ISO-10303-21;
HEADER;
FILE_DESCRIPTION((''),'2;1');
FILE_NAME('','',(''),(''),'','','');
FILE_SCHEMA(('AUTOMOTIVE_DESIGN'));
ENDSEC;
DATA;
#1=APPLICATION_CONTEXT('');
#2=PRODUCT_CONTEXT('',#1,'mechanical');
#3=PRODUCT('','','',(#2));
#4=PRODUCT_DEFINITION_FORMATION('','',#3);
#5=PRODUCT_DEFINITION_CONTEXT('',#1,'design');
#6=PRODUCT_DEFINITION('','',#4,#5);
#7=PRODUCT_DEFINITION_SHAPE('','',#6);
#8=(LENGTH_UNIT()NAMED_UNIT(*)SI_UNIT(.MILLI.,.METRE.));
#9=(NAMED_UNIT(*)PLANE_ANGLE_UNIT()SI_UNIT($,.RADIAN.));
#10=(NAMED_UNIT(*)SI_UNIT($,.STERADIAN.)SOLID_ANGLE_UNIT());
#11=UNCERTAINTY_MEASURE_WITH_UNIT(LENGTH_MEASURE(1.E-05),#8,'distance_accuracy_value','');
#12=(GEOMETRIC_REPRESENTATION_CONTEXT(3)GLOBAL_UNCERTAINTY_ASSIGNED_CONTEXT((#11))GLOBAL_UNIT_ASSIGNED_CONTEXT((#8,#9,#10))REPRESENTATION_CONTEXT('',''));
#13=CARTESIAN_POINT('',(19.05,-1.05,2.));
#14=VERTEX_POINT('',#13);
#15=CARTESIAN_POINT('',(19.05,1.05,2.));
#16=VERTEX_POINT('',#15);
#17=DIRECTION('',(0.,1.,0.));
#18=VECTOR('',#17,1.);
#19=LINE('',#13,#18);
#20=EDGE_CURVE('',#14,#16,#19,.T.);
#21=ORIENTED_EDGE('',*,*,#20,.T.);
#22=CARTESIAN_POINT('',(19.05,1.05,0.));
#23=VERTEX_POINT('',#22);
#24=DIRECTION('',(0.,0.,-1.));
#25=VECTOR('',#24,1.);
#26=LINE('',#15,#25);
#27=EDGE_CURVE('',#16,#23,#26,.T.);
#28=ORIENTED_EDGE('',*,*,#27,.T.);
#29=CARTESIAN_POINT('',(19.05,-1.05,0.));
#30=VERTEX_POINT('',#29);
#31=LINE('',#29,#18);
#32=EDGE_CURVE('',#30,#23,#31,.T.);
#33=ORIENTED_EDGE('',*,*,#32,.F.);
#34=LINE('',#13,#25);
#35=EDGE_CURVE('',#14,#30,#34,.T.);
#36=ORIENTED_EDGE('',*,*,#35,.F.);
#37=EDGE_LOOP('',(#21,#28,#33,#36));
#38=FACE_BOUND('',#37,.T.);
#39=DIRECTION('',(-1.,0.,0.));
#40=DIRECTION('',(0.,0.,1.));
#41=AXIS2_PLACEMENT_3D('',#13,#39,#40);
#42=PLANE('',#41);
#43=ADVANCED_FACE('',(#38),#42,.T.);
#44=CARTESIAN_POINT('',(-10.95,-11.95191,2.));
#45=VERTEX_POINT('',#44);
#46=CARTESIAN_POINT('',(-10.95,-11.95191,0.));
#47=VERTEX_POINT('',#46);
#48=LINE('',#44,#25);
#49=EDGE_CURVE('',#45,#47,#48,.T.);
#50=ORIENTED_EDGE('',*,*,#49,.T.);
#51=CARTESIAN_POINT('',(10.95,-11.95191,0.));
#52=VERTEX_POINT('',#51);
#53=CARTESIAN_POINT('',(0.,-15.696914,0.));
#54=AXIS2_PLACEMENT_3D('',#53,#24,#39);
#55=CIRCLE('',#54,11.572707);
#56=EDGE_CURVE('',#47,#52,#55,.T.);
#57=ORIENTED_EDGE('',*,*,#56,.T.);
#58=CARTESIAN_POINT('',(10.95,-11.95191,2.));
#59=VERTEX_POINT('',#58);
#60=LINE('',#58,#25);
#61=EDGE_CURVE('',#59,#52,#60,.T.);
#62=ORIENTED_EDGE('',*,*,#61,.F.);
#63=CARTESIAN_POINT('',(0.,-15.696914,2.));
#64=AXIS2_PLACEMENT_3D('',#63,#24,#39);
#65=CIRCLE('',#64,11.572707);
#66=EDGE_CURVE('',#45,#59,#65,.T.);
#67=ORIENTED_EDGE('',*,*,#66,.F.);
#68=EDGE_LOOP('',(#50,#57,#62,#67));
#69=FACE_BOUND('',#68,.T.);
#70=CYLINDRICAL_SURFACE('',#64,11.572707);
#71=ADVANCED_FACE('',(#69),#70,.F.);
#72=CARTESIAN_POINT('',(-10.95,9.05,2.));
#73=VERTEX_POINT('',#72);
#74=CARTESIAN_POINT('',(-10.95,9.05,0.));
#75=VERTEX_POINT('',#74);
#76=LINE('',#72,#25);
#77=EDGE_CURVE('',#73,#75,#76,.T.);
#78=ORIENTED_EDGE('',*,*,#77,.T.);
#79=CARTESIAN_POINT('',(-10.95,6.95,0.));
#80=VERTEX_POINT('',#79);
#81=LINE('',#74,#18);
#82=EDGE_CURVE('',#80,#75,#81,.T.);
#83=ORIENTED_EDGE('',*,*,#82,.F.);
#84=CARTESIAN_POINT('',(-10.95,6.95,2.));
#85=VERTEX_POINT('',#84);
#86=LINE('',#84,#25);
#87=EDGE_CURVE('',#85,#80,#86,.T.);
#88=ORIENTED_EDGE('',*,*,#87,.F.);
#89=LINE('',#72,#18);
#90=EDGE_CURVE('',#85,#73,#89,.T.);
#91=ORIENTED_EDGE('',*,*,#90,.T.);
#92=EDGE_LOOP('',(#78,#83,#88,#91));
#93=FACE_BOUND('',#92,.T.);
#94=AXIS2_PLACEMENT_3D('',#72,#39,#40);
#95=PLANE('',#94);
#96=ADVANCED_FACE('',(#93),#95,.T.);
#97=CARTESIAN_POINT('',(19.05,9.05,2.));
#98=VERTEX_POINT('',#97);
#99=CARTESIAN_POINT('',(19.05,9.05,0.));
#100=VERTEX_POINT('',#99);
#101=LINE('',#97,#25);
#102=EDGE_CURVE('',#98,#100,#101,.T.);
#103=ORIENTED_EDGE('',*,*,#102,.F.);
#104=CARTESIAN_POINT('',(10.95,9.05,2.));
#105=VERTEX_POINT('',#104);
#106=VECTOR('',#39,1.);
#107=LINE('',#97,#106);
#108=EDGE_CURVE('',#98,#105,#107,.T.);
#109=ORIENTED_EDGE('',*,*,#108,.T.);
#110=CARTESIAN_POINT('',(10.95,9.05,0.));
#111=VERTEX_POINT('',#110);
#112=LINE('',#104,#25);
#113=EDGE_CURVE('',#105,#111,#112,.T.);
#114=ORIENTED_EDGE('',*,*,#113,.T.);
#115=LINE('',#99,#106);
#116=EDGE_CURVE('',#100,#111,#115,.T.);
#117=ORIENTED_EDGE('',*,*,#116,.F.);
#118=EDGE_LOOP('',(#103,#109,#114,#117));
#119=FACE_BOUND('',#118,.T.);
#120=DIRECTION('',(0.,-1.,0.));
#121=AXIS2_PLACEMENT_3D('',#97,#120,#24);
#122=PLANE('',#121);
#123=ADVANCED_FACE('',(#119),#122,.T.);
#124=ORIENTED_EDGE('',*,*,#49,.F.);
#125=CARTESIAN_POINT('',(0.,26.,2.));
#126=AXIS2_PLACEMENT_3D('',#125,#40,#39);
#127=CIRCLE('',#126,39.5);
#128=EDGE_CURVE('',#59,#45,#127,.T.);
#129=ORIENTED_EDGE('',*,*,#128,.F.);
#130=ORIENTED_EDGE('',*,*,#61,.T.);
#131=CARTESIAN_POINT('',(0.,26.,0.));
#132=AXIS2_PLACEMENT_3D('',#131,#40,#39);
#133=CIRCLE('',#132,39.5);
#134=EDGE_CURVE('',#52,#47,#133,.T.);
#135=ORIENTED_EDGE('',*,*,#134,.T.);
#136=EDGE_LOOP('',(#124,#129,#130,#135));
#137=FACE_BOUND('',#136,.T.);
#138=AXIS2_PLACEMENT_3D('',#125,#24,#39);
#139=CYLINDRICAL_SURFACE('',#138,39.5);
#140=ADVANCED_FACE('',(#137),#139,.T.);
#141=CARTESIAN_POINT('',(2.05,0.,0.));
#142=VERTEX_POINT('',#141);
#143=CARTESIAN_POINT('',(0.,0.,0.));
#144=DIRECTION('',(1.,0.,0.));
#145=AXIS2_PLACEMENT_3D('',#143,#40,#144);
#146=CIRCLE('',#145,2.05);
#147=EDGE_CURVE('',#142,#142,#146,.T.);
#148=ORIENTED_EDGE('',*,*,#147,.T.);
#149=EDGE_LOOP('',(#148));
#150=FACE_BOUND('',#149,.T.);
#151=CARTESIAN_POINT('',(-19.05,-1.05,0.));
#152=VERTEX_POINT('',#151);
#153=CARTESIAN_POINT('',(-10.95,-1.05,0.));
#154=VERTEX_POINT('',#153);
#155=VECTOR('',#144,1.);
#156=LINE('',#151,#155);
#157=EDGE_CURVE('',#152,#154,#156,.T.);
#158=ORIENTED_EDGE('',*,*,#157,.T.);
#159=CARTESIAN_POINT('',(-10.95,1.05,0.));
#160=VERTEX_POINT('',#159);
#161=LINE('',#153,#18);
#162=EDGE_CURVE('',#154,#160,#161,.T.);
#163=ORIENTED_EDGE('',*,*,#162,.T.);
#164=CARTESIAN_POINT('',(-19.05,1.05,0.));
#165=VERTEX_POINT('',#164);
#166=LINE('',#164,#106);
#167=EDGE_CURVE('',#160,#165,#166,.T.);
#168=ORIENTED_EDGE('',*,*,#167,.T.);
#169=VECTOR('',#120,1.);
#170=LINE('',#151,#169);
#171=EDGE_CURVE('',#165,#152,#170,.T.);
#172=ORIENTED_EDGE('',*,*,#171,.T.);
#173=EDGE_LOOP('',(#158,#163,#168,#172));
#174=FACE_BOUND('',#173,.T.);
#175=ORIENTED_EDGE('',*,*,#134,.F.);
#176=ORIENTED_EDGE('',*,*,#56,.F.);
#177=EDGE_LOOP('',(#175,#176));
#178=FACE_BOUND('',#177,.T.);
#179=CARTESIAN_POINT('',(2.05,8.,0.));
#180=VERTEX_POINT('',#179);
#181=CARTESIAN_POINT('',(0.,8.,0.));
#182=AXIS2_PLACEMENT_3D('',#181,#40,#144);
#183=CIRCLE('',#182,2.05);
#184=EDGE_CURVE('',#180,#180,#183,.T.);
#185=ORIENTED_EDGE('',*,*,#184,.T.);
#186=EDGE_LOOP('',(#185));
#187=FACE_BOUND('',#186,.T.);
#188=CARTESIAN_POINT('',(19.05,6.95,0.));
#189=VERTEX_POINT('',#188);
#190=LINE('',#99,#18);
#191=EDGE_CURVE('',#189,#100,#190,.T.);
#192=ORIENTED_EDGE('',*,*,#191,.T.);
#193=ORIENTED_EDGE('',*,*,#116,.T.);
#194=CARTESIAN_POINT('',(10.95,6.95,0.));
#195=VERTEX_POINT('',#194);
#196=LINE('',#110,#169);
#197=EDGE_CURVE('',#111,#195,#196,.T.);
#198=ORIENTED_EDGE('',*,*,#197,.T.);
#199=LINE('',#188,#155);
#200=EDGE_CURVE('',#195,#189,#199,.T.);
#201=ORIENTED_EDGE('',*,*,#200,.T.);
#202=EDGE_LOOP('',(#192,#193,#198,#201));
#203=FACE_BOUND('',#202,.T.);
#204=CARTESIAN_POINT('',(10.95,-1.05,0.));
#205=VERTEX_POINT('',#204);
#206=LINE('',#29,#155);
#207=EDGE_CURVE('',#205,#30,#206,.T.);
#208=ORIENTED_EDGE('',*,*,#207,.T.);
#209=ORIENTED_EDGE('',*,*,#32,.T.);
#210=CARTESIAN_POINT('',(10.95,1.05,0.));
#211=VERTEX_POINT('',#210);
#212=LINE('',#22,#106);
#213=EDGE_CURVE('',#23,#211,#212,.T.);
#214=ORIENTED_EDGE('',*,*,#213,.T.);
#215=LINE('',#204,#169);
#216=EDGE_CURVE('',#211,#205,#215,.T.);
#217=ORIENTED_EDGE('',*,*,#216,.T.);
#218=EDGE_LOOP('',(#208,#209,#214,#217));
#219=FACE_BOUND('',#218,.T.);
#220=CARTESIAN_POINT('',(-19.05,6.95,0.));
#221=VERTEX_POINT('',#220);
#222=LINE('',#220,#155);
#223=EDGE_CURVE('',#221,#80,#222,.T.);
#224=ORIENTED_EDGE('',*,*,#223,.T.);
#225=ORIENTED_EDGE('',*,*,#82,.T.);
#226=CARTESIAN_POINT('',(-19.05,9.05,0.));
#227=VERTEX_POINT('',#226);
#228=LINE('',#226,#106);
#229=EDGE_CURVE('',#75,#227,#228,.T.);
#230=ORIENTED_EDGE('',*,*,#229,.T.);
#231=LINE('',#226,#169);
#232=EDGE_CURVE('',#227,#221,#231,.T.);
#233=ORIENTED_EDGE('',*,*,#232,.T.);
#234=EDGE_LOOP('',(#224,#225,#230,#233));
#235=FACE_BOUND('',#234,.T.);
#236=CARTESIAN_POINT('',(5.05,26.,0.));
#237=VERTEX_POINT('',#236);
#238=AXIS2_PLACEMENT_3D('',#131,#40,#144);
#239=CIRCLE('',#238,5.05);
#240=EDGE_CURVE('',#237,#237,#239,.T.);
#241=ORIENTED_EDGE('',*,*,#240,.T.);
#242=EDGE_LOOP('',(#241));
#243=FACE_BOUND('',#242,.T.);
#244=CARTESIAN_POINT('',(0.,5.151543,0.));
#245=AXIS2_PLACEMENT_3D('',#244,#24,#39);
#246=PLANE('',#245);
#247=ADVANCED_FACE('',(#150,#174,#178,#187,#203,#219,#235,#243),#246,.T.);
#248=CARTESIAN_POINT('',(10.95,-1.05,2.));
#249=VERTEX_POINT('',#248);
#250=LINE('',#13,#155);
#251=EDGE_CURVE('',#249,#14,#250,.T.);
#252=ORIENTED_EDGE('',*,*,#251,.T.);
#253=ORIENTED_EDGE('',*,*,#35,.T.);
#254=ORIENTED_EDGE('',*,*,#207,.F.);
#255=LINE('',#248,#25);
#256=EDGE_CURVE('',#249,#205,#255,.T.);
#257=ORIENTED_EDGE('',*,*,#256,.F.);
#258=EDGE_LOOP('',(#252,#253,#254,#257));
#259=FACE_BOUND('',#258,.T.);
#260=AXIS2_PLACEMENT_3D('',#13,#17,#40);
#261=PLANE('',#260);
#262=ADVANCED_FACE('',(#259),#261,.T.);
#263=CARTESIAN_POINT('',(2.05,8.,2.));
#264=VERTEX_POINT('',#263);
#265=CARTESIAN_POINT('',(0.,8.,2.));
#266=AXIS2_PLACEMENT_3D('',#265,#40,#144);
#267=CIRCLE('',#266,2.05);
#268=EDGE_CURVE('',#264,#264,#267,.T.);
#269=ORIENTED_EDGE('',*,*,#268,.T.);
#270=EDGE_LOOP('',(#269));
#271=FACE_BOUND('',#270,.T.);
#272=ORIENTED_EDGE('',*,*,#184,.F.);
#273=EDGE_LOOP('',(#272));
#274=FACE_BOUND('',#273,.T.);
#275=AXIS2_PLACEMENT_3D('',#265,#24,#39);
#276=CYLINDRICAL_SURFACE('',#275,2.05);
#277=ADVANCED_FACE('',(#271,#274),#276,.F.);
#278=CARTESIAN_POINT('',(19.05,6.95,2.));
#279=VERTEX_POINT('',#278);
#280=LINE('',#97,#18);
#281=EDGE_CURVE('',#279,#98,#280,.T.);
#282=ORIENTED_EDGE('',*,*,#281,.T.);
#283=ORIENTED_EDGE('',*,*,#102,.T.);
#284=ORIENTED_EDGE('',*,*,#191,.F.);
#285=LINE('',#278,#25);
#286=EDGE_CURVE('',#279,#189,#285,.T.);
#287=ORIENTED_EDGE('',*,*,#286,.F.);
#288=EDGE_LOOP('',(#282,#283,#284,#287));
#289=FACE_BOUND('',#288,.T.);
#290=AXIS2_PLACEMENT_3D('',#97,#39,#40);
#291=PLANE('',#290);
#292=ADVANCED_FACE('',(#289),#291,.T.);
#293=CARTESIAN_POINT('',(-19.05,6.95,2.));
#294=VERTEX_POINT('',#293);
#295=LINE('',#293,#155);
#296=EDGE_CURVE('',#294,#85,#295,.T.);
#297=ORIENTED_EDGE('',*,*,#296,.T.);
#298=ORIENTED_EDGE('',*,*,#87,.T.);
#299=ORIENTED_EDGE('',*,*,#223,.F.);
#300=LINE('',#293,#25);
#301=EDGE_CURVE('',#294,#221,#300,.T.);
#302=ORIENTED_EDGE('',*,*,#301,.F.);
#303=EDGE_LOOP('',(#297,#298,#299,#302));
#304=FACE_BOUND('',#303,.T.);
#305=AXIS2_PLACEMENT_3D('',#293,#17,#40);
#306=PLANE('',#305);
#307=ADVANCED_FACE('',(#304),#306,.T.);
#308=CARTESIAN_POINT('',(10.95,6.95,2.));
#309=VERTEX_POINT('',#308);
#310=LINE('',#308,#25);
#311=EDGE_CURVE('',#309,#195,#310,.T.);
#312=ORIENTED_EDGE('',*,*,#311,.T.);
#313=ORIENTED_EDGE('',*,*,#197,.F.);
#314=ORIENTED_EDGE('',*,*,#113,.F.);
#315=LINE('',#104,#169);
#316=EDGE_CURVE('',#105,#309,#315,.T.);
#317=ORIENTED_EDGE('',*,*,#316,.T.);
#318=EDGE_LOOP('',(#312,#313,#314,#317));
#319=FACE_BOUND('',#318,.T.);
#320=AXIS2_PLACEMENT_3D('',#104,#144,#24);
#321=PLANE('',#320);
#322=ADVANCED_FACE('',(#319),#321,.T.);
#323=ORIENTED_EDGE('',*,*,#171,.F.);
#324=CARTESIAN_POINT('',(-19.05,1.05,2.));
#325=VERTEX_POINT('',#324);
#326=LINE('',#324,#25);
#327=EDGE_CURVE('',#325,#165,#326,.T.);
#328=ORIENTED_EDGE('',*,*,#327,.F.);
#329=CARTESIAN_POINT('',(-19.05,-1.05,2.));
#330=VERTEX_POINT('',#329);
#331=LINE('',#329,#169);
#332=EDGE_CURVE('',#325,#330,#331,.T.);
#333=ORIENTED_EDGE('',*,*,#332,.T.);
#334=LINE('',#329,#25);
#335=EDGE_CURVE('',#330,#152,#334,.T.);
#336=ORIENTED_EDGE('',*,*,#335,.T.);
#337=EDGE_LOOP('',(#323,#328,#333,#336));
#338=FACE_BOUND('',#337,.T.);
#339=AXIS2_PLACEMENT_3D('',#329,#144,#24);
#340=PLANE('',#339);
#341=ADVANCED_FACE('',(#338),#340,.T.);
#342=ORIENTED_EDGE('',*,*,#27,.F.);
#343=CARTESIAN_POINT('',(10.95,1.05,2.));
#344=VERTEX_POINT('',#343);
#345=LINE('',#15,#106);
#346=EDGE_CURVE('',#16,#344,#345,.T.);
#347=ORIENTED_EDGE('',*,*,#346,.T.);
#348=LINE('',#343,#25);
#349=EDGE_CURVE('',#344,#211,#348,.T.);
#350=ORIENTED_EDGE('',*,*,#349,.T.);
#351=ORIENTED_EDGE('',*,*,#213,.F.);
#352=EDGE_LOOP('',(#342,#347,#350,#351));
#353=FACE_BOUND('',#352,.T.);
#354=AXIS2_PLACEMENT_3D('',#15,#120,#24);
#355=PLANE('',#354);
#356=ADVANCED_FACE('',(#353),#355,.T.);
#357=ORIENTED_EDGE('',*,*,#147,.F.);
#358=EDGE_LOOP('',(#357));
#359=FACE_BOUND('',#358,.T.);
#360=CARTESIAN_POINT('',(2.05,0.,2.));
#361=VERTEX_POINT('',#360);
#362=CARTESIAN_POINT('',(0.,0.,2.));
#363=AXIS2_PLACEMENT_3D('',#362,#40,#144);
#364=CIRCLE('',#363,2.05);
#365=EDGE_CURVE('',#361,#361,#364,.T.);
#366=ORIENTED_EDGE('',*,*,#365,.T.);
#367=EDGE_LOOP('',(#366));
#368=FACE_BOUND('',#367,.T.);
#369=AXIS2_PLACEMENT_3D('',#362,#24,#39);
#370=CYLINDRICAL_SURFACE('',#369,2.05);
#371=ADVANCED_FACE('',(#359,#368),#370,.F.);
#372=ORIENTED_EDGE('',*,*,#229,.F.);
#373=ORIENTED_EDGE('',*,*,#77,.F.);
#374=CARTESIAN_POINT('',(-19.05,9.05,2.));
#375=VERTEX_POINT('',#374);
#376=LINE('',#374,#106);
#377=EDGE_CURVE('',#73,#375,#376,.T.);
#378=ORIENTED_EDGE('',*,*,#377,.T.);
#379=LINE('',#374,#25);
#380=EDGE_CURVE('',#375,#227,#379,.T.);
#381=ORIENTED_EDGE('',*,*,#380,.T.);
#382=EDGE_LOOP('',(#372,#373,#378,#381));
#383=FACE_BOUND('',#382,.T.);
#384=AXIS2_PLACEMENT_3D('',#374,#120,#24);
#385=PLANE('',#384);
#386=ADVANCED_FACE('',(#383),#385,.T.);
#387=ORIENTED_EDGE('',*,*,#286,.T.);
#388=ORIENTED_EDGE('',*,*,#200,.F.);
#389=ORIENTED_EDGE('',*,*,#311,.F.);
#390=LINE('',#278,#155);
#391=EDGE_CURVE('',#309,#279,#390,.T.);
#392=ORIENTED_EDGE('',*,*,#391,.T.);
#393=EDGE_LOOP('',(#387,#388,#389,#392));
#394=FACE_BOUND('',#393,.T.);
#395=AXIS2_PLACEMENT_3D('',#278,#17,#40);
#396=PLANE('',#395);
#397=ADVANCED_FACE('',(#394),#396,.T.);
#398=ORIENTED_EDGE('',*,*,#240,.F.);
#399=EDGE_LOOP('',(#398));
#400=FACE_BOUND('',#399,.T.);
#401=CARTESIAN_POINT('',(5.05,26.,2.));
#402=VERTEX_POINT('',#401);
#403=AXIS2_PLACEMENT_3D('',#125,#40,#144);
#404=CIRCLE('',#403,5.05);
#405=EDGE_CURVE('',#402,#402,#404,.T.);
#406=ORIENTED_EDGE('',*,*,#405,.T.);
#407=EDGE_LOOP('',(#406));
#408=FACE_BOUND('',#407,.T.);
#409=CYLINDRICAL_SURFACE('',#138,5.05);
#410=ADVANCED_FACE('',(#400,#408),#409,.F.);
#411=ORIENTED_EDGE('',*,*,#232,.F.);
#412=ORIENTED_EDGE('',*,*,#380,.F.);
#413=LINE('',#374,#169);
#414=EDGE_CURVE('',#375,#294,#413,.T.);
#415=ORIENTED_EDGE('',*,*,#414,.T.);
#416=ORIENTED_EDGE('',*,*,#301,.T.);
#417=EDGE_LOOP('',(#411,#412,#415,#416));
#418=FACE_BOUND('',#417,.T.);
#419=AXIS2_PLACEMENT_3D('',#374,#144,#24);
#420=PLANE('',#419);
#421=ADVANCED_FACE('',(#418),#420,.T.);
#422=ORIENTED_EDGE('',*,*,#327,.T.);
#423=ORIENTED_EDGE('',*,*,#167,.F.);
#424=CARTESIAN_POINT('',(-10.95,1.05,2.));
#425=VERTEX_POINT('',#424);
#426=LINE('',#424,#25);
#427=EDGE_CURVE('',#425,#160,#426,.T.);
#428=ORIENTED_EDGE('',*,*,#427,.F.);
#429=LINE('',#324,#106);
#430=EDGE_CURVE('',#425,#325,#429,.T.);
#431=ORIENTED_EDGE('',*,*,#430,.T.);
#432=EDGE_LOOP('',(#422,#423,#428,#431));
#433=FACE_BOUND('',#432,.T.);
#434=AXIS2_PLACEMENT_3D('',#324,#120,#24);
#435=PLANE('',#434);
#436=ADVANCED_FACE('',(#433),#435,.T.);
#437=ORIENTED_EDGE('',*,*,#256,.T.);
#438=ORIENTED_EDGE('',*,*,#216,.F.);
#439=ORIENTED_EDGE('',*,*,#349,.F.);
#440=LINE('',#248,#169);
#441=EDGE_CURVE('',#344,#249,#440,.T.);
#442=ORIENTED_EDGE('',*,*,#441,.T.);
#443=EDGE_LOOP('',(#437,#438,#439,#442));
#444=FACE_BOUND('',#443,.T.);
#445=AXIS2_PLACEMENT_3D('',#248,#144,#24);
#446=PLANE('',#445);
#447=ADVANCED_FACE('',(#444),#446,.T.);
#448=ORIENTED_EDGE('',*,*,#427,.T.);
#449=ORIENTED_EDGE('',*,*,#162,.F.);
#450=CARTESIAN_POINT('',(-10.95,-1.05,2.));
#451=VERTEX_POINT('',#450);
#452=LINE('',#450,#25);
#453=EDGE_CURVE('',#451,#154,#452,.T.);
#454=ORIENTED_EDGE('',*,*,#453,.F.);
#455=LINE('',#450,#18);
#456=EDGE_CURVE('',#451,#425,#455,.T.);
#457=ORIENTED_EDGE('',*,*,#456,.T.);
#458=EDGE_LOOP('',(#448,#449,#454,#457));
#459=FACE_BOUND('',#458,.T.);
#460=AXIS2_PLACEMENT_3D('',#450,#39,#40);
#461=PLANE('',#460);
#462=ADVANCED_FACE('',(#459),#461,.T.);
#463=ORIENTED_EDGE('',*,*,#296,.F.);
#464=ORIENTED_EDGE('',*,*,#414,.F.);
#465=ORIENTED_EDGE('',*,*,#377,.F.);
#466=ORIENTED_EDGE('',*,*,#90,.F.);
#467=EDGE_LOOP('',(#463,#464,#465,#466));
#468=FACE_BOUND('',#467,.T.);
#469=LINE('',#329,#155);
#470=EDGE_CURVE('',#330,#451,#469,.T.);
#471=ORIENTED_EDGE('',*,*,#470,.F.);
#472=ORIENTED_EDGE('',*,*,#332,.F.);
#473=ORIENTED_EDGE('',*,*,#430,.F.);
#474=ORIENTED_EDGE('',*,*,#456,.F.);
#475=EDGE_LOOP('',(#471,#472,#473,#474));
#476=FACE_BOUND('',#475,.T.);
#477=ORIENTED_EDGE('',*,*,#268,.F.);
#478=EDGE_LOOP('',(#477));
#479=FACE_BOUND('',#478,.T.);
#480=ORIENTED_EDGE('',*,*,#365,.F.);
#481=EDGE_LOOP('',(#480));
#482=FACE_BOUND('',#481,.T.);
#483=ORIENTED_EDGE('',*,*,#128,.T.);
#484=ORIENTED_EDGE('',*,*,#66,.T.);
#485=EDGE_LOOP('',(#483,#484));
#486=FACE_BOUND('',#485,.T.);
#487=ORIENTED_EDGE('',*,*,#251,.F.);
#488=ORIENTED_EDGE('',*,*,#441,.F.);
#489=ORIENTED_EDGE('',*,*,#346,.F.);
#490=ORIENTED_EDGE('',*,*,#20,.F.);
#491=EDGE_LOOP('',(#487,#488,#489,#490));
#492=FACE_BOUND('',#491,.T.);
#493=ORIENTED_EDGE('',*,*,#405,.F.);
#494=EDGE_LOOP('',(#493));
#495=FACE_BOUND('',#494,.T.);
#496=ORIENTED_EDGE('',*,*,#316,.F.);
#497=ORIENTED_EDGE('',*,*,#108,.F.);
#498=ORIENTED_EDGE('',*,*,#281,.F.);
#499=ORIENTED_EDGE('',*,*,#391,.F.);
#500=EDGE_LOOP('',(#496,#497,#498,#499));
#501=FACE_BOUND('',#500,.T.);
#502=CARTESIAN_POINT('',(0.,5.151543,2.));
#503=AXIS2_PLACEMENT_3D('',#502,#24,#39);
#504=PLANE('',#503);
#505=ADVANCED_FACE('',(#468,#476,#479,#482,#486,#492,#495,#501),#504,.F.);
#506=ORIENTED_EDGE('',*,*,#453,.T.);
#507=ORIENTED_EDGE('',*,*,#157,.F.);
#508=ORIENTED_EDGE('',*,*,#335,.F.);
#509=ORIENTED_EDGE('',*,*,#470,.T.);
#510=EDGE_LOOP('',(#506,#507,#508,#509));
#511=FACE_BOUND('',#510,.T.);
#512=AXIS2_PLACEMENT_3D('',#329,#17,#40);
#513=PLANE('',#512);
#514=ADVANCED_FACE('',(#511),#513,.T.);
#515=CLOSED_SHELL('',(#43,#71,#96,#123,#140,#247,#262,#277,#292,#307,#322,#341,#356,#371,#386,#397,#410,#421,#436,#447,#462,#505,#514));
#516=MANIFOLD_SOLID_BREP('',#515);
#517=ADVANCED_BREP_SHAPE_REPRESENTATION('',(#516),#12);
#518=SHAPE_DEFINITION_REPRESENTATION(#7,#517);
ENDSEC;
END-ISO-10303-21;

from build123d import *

# Parameters (mm, degrees)
SKETCH_1_R      = 2.05
SKETCH_1_R_2    = 5.05
SKETCH_1_W      = 8.1
SKETCH_1_H      = 2.1
EXTRUDE_1_DEPTH = 2


with BuildPart() as part:
    # 草图1 → 凸台-拉伸1 (new body)
    with BuildSketch(Plane.XY):
        with BuildLine():
            ThreePointArc((-10.95, -11.95191036), (0, -4.124206955), (10.95, -11.95191036))
            ThreePointArc((10.95, -11.95191036), (0, 65.5), (-10.95, -11.95191036))
        make_face()
        Circle(SKETCH_1_R, mode=Mode.SUBTRACT)
        with Locations((0, 8)):
            Circle(SKETCH_1_R, mode=Mode.SUBTRACT)
        with Locations((0, 26)):
            Circle(SKETCH_1_R_2, mode=Mode.SUBTRACT)
        with Locations((-15, 8)):
            Rectangle(SKETCH_1_W, SKETCH_1_H, mode=Mode.SUBTRACT)
        with Locations((-15, 0)):
            Rectangle(SKETCH_1_W, SKETCH_1_H, mode=Mode.SUBTRACT)
        with Locations((15, 8)):
            Rectangle(SKETCH_1_W, SKETCH_1_H, mode=Mode.SUBTRACT)
        with Locations((15, 0)):
            Rectangle(SKETCH_1_W, SKETCH_1_H, mode=Mode.SUBTRACT)
    extrude(amount=EXTRUDE_1_DEPTH)


solid = part.part
